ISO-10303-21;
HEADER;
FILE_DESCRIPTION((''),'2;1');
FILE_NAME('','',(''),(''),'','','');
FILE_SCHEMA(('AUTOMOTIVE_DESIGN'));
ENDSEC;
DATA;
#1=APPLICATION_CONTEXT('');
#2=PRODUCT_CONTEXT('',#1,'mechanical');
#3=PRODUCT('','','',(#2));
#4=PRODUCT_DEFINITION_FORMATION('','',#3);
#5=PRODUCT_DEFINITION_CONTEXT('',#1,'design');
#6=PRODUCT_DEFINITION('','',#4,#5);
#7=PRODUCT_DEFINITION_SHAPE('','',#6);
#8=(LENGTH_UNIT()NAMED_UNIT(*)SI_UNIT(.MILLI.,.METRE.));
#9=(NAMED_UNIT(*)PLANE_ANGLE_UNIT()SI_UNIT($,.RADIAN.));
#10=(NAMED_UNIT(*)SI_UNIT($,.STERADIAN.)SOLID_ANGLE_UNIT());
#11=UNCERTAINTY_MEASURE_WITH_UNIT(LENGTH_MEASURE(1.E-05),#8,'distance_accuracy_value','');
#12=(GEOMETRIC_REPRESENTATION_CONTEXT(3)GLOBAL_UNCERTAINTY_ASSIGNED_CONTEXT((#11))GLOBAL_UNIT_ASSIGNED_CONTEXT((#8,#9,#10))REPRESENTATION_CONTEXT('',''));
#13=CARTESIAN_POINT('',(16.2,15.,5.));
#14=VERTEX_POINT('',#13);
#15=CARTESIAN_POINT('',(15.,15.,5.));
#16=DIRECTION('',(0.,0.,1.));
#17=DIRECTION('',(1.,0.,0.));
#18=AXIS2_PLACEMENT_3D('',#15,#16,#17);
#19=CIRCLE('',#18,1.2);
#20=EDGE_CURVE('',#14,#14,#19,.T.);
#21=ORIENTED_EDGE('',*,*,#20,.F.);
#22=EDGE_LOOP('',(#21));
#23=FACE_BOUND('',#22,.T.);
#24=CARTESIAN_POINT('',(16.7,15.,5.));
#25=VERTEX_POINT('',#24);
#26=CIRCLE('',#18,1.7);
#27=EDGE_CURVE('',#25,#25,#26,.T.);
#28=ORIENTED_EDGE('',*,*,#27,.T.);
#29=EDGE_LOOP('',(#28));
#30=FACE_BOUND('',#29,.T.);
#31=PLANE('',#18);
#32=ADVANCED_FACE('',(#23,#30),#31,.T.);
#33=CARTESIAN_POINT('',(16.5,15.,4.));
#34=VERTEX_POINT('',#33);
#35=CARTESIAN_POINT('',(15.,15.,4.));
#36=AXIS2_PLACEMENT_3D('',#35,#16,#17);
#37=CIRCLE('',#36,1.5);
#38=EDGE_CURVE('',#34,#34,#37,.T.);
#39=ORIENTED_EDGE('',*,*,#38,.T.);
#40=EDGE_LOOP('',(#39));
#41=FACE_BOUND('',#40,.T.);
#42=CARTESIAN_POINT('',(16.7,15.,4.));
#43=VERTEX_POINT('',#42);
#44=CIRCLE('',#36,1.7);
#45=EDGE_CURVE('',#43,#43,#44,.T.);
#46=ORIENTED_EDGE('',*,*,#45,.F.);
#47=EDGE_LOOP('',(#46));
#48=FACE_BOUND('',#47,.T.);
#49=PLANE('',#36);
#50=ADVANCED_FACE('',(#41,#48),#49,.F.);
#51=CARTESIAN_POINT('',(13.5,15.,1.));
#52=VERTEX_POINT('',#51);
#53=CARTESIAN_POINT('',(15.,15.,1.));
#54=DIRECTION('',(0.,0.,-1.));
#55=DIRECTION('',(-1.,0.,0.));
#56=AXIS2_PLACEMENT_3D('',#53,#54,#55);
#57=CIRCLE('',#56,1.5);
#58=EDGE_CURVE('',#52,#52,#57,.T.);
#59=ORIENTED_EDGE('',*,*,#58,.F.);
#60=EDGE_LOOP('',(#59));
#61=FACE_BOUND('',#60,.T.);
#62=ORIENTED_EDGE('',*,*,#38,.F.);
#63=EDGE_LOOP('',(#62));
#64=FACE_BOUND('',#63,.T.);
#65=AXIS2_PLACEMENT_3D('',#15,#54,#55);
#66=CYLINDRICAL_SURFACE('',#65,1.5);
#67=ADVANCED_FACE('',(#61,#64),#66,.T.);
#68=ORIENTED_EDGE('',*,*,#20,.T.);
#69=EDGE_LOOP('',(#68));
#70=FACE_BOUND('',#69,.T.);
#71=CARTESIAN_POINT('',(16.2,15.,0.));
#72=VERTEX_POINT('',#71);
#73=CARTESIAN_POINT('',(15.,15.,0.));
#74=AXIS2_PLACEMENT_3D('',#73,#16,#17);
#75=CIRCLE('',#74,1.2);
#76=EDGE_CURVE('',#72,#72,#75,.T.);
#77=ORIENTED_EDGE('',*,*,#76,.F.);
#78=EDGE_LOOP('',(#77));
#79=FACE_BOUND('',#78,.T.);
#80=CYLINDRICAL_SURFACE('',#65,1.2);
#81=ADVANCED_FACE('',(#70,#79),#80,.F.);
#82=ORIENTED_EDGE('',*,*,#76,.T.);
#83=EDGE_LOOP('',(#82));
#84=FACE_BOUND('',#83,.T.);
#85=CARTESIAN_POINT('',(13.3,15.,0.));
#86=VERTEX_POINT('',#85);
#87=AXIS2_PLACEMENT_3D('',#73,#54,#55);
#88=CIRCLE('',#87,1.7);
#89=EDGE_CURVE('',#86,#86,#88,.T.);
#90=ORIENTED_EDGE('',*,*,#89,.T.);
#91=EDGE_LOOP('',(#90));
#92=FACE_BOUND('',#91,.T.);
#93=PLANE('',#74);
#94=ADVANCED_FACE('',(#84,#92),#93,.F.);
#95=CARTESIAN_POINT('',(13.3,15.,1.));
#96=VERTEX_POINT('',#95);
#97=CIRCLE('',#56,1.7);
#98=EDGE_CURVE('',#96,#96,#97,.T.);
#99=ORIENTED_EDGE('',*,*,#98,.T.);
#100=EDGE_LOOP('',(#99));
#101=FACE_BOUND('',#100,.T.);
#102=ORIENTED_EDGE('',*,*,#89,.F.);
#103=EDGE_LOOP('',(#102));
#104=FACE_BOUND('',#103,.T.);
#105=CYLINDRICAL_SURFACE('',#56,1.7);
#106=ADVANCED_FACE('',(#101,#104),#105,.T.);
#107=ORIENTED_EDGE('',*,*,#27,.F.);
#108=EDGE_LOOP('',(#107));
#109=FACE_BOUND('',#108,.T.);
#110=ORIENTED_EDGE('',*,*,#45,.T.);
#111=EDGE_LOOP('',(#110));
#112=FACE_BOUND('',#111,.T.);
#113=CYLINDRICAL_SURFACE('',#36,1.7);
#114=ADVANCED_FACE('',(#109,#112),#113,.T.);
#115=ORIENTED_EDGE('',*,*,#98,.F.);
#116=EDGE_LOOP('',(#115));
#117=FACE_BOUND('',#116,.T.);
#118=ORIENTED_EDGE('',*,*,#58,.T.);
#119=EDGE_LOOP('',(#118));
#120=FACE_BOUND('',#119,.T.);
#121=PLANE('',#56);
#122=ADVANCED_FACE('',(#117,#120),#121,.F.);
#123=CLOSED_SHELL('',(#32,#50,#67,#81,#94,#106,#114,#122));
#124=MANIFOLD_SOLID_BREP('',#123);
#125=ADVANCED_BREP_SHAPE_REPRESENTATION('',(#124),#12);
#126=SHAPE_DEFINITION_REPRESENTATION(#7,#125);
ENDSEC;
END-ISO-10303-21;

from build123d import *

# Parameters (mm, degrees)
SKETCH1_R           = 1.5
SKETCH1_R_2         = 1.2
BOSS_EXTRUDE1_DEPTH = 5
BOSS_EXTRUDE2_START = -1
SKETCH2_R           = 1.7
SKETCH2_R_2         = 1.2
BOSS_EXTRUDE2_DEPTH = 1
SKETCH3_R           = 1.7
SKETCH3_R_2         = 1.2
BOSS_EXTRUDE3_DEPTH = 1


with BuildPart() as part:
    # Sketch1 → Boss-Extrude1 (new body)
    with BuildSketch(Plane.XY):
        with Locations((15, 15)):
            Circle(SKETCH1_R)
        with Locations((15, 15)):
            Circle(SKETCH1_R_2, mode=Mode.SUBTRACT)
    extrude(amount=BOSS_EXTRUDE1_DEPTH)

    # Sketch2 → Boss-Extrude2 (add)
    with BuildSketch(Plane.XY.offset(5).offset(BOSS_EXTRUDE2_START)):
        with Locations((15, 15)):
            Circle(SKETCH2_R)
        with Locations((15, 15)):
            Circle(SKETCH2_R_2, mode=Mode.SUBTRACT)
    extrude(amount=BOSS_EXTRUDE2_DEPTH)

    # Sketch3 → Boss-Extrude3 (add)
    with BuildSketch(Plane(origin=(0, 0, 0), x_dir=(-1, 0, 0), z_dir=(0, 0, -1))):
        with Locations(Location((-15, 15, 0), (0, 0, 180))):
            Circle(SKETCH3_R)
        with Locations(Location((-15, 15, 0), (0, 0, 180))):
            Circle(SKETCH3_R_2, mode=Mode.SUBTRACT)
    extrude(amount=-BOSS_EXTRUDE3_DEPTH)


solid = part.part
